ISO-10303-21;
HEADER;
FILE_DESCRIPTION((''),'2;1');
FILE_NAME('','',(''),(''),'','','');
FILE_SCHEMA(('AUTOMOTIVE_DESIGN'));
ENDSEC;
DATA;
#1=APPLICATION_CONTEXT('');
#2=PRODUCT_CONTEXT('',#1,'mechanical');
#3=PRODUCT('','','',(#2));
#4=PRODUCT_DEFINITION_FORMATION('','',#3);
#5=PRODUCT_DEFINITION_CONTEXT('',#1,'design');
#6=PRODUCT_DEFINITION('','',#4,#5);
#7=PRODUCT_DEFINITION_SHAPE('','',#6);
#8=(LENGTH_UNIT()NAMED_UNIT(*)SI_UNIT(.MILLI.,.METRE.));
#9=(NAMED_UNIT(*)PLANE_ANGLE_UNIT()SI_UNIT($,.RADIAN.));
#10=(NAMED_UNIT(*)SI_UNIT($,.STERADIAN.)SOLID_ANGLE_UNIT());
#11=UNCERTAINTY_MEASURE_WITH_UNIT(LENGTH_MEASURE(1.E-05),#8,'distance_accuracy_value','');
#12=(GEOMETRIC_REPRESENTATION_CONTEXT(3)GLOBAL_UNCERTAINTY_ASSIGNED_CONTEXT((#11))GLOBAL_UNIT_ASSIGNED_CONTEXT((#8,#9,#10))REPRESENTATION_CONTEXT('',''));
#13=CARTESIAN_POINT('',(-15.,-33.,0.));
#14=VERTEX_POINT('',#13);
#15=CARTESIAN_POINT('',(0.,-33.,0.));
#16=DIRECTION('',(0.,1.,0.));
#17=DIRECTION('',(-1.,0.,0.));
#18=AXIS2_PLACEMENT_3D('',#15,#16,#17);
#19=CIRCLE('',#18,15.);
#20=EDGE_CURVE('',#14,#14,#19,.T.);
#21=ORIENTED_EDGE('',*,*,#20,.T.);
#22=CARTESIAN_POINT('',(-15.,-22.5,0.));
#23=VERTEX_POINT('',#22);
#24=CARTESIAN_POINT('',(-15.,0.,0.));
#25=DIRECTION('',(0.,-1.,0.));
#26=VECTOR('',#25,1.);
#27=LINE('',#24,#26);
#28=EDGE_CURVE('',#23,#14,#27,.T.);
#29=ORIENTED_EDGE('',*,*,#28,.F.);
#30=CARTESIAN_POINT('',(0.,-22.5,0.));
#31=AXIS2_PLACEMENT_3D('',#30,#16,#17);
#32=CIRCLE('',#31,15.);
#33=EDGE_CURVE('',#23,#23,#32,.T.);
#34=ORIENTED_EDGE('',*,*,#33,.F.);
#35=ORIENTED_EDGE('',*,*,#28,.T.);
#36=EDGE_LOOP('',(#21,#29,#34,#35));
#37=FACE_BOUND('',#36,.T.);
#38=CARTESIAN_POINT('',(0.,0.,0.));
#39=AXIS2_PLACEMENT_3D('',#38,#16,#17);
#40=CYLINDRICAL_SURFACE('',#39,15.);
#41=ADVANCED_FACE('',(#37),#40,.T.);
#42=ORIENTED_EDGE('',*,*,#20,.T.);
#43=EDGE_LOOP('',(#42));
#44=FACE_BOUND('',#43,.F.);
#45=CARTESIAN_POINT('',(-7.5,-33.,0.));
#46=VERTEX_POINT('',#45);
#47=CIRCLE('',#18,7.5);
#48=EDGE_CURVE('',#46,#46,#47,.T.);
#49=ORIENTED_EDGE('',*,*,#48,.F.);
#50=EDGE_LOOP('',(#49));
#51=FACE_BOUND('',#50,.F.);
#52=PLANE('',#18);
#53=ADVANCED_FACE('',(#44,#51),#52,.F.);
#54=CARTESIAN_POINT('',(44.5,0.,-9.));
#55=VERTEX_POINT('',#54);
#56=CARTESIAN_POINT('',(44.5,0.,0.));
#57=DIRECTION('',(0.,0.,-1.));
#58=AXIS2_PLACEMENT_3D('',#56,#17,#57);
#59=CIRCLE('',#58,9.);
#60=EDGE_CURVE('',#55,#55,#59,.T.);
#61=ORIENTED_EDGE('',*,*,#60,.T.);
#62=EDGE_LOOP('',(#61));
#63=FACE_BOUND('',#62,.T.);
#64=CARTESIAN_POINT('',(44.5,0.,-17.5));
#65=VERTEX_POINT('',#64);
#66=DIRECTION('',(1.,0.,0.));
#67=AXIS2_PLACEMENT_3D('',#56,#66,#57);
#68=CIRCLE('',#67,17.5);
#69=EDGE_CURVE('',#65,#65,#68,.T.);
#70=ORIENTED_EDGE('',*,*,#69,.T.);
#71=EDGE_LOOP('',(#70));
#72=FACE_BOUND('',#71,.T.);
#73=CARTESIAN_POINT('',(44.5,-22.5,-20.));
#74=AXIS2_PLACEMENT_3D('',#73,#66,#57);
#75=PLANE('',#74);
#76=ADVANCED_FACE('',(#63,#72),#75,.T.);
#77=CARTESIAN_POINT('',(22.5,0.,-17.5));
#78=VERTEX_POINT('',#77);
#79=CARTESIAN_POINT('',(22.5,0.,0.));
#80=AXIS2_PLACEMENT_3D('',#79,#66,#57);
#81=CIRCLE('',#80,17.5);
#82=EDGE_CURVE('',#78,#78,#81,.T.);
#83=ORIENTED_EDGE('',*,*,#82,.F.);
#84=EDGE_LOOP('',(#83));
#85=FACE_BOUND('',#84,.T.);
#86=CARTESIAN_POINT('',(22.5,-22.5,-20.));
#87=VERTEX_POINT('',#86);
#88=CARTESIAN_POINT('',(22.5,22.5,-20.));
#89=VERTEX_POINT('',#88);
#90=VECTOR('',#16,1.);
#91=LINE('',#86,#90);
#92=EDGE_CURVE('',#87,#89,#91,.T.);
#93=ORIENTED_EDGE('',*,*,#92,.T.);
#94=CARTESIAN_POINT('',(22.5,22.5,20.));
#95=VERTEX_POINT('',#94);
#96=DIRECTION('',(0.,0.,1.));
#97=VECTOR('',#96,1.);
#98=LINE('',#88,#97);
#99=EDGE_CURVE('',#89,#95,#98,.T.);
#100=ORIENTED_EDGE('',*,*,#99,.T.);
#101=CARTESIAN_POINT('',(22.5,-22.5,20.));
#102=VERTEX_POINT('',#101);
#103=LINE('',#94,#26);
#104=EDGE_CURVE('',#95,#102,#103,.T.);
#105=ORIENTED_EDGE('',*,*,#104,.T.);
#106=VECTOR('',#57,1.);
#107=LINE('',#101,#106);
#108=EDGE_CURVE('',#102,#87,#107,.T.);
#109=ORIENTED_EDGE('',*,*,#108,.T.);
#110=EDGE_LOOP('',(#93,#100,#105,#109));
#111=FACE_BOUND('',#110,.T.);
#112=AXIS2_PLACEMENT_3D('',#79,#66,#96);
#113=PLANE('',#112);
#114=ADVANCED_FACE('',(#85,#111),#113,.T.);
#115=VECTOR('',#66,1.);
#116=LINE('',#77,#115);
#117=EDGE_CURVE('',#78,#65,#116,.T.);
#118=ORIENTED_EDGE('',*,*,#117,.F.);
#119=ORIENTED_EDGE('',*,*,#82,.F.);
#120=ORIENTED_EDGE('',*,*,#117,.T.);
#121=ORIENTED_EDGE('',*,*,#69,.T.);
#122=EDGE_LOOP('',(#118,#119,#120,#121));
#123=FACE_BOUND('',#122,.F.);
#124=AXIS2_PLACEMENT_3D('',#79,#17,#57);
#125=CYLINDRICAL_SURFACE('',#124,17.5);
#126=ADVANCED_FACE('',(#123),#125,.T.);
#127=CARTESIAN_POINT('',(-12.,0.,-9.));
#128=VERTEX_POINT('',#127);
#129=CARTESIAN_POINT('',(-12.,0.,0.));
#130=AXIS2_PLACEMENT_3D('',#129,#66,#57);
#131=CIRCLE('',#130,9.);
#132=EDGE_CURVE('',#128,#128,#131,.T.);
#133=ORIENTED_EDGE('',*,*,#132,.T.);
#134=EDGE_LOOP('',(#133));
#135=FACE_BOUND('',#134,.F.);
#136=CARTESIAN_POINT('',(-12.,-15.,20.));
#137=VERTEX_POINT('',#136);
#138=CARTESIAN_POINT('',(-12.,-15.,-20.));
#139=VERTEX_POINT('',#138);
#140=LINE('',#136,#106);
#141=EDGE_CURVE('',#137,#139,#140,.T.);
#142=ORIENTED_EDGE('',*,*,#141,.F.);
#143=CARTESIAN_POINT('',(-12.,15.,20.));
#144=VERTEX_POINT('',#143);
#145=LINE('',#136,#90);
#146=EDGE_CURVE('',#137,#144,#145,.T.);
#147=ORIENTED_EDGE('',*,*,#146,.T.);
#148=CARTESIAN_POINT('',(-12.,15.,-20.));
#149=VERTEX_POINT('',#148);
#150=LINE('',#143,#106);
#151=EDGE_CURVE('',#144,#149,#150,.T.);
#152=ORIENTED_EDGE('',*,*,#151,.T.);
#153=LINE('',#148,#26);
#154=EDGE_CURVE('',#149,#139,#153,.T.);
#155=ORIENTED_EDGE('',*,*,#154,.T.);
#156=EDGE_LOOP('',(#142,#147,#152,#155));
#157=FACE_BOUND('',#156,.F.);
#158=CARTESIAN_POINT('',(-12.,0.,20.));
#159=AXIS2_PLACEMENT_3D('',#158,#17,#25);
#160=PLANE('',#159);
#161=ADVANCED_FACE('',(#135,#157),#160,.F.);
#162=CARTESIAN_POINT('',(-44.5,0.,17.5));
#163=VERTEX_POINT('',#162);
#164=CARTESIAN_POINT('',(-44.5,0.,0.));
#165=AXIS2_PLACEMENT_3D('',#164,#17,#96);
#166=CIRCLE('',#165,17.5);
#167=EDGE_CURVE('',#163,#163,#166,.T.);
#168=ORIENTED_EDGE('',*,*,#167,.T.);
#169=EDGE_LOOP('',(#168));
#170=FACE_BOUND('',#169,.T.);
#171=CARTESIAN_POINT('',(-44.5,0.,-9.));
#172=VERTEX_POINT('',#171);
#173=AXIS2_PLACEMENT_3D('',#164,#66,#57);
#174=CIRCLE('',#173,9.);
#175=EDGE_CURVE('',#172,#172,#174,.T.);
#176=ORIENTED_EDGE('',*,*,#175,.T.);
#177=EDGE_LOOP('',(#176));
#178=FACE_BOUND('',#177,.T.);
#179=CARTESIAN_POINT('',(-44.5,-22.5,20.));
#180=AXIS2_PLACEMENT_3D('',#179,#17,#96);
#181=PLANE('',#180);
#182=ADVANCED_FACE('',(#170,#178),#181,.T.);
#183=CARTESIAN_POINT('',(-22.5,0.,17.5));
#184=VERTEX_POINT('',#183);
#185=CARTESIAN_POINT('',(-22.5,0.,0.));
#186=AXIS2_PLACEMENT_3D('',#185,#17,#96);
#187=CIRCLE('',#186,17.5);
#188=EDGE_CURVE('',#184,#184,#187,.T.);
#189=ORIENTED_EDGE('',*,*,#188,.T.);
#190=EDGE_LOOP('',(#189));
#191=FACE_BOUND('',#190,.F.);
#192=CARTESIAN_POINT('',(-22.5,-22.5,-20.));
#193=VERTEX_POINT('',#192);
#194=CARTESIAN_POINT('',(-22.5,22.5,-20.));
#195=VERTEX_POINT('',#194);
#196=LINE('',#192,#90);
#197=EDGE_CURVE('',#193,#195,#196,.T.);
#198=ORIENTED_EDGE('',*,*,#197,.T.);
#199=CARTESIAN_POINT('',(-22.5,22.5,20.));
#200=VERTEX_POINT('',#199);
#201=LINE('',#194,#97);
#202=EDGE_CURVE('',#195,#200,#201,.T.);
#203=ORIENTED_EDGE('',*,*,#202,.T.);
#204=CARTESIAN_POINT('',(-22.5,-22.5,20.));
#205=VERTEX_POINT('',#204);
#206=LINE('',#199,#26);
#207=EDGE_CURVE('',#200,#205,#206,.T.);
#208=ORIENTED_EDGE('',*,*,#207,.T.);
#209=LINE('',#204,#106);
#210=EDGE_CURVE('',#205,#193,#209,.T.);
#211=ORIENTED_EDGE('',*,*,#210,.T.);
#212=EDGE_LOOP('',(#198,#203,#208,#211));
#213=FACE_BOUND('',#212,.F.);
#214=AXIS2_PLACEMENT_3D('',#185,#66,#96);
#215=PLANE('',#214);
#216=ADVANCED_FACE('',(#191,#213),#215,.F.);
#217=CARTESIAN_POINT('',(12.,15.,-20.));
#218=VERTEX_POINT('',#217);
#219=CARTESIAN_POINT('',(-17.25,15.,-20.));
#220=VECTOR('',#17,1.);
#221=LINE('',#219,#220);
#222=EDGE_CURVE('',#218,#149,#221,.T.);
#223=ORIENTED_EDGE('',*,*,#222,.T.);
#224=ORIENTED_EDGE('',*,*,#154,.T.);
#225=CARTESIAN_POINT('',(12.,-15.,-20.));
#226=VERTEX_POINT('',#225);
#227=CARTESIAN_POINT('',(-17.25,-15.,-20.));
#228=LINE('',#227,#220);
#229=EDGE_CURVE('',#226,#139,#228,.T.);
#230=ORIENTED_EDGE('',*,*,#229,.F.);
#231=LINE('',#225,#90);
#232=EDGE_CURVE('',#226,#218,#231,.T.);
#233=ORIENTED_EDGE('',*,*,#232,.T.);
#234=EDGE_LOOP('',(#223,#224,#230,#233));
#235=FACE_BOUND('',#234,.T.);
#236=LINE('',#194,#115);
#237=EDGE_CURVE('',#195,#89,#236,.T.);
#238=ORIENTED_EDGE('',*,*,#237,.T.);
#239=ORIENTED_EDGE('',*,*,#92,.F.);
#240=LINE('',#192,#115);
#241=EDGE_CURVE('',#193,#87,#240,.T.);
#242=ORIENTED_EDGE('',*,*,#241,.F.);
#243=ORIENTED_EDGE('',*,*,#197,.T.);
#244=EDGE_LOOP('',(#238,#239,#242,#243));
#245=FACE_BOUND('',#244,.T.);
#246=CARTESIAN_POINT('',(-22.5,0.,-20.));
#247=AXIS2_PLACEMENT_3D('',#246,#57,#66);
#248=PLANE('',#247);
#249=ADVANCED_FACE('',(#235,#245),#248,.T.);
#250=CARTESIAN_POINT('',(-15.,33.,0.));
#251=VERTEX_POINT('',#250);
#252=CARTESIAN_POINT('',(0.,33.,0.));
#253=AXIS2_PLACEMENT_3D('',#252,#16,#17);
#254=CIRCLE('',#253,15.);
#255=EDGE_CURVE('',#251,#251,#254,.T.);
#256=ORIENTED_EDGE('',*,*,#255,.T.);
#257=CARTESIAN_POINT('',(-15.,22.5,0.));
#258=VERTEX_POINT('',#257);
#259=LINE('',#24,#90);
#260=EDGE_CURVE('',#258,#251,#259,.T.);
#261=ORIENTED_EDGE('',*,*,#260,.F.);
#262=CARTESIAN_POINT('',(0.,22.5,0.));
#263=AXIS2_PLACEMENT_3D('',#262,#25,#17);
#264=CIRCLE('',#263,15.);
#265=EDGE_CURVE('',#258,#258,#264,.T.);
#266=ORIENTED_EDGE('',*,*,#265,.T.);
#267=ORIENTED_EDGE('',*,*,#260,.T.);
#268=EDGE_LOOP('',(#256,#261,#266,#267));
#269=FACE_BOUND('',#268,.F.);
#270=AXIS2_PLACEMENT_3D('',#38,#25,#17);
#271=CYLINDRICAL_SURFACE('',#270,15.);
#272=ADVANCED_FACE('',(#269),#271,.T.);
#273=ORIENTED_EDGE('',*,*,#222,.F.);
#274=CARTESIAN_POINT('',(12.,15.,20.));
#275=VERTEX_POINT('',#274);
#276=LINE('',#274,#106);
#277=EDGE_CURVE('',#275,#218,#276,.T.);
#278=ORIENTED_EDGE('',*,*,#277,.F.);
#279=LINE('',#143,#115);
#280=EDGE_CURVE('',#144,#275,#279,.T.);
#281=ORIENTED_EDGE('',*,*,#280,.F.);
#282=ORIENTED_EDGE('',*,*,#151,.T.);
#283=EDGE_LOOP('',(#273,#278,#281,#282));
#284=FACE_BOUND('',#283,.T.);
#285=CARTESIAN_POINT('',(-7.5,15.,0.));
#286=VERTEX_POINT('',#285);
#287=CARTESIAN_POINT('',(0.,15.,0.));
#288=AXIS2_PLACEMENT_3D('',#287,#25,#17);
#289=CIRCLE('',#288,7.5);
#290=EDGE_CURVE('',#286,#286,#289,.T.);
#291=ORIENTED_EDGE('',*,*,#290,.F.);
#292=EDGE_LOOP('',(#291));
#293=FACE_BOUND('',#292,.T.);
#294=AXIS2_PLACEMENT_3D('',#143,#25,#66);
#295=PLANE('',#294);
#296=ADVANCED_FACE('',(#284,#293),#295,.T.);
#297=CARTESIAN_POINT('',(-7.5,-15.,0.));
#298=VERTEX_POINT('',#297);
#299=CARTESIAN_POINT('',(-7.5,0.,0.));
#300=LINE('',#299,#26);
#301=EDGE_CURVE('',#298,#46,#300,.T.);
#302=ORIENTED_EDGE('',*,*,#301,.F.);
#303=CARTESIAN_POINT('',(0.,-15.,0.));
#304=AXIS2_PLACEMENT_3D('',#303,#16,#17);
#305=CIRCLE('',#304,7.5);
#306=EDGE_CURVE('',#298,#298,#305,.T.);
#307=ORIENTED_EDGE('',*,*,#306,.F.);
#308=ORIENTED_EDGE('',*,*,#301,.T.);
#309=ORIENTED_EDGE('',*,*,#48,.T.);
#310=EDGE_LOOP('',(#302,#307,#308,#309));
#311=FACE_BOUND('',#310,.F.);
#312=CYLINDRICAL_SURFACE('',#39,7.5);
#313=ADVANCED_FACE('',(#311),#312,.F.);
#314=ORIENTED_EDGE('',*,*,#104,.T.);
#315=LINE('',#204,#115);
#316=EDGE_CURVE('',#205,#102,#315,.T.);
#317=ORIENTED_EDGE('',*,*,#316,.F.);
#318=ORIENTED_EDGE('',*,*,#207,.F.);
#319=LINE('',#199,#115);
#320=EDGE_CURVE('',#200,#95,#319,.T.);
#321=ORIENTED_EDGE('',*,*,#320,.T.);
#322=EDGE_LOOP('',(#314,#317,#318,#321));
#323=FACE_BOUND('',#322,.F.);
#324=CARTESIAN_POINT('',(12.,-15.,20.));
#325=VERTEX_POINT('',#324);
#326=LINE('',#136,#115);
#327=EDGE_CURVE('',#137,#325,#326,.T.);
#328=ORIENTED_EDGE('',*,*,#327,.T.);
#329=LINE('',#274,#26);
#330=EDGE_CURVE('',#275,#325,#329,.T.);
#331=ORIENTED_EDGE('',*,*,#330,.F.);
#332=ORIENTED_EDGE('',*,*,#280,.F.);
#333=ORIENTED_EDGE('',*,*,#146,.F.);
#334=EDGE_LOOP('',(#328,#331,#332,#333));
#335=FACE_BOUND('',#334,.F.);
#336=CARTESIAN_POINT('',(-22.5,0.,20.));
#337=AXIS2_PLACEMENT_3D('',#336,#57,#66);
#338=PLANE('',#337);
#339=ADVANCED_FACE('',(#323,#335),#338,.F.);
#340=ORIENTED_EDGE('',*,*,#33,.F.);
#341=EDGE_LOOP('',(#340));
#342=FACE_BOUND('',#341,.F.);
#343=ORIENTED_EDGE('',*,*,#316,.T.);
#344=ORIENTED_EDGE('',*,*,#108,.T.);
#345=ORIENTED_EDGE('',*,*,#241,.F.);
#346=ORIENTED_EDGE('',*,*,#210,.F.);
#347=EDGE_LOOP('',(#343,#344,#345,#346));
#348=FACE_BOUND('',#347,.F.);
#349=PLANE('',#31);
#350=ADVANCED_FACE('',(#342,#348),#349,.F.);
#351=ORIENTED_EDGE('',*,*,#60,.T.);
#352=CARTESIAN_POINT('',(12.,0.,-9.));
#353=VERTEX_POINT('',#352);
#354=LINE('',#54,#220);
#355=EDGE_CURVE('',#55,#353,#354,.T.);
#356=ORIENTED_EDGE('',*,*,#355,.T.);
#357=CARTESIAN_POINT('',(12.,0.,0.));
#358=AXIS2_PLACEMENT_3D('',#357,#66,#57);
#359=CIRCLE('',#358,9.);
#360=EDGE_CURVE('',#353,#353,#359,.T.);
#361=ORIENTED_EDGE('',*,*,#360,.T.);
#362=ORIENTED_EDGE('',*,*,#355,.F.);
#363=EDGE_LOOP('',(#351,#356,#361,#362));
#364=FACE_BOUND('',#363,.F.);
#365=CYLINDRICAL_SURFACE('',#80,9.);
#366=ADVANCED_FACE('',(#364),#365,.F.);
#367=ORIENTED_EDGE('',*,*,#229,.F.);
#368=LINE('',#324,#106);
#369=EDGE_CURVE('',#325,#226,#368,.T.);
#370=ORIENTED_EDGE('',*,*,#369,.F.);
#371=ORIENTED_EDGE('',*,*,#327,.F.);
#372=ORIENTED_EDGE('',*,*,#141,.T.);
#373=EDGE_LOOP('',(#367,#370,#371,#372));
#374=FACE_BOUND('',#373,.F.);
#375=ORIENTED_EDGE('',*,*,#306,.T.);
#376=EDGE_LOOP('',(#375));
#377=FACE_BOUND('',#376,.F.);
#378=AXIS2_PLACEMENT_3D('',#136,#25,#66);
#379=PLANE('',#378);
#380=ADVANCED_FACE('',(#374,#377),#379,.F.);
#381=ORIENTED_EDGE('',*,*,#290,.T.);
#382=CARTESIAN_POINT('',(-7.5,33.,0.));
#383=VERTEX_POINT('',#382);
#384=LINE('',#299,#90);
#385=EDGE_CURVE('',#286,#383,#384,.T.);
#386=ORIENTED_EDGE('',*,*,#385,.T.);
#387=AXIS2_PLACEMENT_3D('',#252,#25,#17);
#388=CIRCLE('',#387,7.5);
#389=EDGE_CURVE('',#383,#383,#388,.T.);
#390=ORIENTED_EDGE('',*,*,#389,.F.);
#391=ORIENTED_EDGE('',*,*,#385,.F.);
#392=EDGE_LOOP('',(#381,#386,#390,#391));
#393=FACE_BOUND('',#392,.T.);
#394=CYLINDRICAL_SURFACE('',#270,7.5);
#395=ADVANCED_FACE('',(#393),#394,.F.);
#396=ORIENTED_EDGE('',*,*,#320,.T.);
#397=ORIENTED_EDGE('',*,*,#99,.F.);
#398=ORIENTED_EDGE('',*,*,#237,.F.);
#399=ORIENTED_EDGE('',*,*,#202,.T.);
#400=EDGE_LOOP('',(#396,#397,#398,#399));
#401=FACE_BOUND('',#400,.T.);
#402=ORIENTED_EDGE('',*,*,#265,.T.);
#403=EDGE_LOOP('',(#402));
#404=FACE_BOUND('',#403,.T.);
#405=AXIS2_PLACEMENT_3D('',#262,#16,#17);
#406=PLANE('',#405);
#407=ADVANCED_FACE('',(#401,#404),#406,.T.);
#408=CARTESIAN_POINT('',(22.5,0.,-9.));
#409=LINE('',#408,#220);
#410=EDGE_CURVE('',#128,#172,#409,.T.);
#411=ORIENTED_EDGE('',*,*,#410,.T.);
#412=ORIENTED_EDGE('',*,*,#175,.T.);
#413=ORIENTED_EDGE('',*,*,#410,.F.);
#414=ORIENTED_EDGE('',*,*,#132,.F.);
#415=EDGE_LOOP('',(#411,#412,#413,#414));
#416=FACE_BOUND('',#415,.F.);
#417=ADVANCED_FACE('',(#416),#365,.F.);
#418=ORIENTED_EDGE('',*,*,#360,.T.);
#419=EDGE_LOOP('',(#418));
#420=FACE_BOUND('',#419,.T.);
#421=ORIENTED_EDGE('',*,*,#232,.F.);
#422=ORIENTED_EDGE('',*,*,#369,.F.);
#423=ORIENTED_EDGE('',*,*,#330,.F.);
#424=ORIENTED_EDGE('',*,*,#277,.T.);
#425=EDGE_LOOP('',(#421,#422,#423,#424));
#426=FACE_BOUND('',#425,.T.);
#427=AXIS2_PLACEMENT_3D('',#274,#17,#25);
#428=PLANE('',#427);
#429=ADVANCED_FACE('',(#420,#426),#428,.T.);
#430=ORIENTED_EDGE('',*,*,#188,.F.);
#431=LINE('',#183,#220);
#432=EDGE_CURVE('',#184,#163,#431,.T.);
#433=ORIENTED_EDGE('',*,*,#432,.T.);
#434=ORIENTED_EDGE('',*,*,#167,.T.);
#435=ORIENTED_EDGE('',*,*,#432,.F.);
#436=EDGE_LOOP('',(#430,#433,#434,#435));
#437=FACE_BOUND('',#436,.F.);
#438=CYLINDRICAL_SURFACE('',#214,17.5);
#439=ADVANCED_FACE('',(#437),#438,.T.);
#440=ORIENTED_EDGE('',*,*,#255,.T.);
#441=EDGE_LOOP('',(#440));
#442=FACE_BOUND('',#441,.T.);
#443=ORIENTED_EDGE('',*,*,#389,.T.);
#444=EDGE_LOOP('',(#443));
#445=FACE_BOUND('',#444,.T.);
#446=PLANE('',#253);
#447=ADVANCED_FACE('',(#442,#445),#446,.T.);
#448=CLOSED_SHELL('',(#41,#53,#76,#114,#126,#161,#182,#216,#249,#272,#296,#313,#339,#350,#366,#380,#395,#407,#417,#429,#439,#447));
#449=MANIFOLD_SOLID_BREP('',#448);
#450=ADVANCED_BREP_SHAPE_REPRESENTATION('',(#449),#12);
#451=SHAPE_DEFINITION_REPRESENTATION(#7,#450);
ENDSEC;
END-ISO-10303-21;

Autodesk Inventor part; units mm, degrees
ref_plane "YZ Plane" through (0, 0, 0) normal (1, 0, 0) x (0, 1, 0)
ref_plane "XZ Plane" through (0, 0, 0) normal (0, 1, 0) x (-1, 0, 0)
ref_plane "XY Plane" through (0, 0, 0) normal (0, 0, 1) x (1, 0, 0)
sketch "Sketch1" plane through (0, 0, 0) normal (0, 1, 0) x (-1, 0, 0)
  circle A0 centre (0, 0) radius 15
  dimension "d0" = 30
sketch "Sketch2" plane through (0, 0, 0) normal (0, 1, 0) x (-1, 0, 0)
  line L0 (0, 0) -> (22.5, 0)
  line L1 (0, 0) -> (-22.5, 0)
  line L2 (-22.5, 0) -> (-22.5, -20)
  line L3 (-22.5, 0) -> (-22.5, 20)
  line L4 (22.5, 0) -> (22.5, -20)
  line L5 (22.5, -20) -> (-22.5, -20)
  line L6 (22.5, 0) -> (22.5, 20)
  line L7 (22.5, 20) -> (-22.5, 20)
  dimension "d1" = 22.5
  dimension "d2" = 22.5
  dimension "d3" = 20
  dimension "d4" = 20
sketch "Sketch3" plane through (0, 0, 0) normal (0, 1, 0) x (-1, 0, 0)
  circle A0 centre (0, 0) radius 7.5
  dimension "d5" = 15
extrude "Extrusion1" add sketch "Sketch1" along normal mid plane 66
extrude "Extrusion2" add sketch "Sketch2" along normal mid plane 45
extrude "Extrusion3" cut sketch "Sketch3" along normal mid plane 100
sketch "Sketch4" plane through (-22.5, 22.5, 20) normal (0, 0, 1) x (1, 0, 0)
  line L0 (10.5, -22.5) -> (10.5, -37.5)
  line L1 (10.5, -37.5) -> (34.5, -37.5)
  line L2 (34.5, -37.5) -> (34.5, -22.5)
  line L3 (10.5, -22.5) -> (10.5, -7.5)
  line L4 (10.5, -7.5) -> (34.5, -7.5)
  line L5 (34.5, -7.5) -> (34.5, -22.5)
  point P0 (22.5, -22.5)
  dimension "d14" = 15
sketch "Sketch5" plane through (22.5, -22.5, -20) normal (1, 0, 0) x (0, 0, -1)
  circle A0 centre (-20, 22.5) radius 17.5
  dimension "d15" = 35
sketch "Sketch6" plane through (22.5, -22.5, -20) normal (1, 0, 0) x (0, 0, -1)
  circle A0 centre (-20, 22.5) radius 9
  dimension "d28" = 18
extrude "Extrusion4" add sketch "Sketch5" along normal blind 22
sketch "Sketch7" plane through (-22.5, -22.5, 20) normal (-1, 0, 0) x (0, 0, 1)
  circle A0 centre (-20, 22.5) radius 17.5
  dimension "d20" = 35
extrude "Extrusion5" add sketch "Sketch7" along normal blind 22
extrude "Extrusion6" cut sketch "Sketch4" against normal blind 100
extrude "Extrusion7" cut sketch "Sketch6" along normal mid plane 200
properties part number "Sólido 1"
